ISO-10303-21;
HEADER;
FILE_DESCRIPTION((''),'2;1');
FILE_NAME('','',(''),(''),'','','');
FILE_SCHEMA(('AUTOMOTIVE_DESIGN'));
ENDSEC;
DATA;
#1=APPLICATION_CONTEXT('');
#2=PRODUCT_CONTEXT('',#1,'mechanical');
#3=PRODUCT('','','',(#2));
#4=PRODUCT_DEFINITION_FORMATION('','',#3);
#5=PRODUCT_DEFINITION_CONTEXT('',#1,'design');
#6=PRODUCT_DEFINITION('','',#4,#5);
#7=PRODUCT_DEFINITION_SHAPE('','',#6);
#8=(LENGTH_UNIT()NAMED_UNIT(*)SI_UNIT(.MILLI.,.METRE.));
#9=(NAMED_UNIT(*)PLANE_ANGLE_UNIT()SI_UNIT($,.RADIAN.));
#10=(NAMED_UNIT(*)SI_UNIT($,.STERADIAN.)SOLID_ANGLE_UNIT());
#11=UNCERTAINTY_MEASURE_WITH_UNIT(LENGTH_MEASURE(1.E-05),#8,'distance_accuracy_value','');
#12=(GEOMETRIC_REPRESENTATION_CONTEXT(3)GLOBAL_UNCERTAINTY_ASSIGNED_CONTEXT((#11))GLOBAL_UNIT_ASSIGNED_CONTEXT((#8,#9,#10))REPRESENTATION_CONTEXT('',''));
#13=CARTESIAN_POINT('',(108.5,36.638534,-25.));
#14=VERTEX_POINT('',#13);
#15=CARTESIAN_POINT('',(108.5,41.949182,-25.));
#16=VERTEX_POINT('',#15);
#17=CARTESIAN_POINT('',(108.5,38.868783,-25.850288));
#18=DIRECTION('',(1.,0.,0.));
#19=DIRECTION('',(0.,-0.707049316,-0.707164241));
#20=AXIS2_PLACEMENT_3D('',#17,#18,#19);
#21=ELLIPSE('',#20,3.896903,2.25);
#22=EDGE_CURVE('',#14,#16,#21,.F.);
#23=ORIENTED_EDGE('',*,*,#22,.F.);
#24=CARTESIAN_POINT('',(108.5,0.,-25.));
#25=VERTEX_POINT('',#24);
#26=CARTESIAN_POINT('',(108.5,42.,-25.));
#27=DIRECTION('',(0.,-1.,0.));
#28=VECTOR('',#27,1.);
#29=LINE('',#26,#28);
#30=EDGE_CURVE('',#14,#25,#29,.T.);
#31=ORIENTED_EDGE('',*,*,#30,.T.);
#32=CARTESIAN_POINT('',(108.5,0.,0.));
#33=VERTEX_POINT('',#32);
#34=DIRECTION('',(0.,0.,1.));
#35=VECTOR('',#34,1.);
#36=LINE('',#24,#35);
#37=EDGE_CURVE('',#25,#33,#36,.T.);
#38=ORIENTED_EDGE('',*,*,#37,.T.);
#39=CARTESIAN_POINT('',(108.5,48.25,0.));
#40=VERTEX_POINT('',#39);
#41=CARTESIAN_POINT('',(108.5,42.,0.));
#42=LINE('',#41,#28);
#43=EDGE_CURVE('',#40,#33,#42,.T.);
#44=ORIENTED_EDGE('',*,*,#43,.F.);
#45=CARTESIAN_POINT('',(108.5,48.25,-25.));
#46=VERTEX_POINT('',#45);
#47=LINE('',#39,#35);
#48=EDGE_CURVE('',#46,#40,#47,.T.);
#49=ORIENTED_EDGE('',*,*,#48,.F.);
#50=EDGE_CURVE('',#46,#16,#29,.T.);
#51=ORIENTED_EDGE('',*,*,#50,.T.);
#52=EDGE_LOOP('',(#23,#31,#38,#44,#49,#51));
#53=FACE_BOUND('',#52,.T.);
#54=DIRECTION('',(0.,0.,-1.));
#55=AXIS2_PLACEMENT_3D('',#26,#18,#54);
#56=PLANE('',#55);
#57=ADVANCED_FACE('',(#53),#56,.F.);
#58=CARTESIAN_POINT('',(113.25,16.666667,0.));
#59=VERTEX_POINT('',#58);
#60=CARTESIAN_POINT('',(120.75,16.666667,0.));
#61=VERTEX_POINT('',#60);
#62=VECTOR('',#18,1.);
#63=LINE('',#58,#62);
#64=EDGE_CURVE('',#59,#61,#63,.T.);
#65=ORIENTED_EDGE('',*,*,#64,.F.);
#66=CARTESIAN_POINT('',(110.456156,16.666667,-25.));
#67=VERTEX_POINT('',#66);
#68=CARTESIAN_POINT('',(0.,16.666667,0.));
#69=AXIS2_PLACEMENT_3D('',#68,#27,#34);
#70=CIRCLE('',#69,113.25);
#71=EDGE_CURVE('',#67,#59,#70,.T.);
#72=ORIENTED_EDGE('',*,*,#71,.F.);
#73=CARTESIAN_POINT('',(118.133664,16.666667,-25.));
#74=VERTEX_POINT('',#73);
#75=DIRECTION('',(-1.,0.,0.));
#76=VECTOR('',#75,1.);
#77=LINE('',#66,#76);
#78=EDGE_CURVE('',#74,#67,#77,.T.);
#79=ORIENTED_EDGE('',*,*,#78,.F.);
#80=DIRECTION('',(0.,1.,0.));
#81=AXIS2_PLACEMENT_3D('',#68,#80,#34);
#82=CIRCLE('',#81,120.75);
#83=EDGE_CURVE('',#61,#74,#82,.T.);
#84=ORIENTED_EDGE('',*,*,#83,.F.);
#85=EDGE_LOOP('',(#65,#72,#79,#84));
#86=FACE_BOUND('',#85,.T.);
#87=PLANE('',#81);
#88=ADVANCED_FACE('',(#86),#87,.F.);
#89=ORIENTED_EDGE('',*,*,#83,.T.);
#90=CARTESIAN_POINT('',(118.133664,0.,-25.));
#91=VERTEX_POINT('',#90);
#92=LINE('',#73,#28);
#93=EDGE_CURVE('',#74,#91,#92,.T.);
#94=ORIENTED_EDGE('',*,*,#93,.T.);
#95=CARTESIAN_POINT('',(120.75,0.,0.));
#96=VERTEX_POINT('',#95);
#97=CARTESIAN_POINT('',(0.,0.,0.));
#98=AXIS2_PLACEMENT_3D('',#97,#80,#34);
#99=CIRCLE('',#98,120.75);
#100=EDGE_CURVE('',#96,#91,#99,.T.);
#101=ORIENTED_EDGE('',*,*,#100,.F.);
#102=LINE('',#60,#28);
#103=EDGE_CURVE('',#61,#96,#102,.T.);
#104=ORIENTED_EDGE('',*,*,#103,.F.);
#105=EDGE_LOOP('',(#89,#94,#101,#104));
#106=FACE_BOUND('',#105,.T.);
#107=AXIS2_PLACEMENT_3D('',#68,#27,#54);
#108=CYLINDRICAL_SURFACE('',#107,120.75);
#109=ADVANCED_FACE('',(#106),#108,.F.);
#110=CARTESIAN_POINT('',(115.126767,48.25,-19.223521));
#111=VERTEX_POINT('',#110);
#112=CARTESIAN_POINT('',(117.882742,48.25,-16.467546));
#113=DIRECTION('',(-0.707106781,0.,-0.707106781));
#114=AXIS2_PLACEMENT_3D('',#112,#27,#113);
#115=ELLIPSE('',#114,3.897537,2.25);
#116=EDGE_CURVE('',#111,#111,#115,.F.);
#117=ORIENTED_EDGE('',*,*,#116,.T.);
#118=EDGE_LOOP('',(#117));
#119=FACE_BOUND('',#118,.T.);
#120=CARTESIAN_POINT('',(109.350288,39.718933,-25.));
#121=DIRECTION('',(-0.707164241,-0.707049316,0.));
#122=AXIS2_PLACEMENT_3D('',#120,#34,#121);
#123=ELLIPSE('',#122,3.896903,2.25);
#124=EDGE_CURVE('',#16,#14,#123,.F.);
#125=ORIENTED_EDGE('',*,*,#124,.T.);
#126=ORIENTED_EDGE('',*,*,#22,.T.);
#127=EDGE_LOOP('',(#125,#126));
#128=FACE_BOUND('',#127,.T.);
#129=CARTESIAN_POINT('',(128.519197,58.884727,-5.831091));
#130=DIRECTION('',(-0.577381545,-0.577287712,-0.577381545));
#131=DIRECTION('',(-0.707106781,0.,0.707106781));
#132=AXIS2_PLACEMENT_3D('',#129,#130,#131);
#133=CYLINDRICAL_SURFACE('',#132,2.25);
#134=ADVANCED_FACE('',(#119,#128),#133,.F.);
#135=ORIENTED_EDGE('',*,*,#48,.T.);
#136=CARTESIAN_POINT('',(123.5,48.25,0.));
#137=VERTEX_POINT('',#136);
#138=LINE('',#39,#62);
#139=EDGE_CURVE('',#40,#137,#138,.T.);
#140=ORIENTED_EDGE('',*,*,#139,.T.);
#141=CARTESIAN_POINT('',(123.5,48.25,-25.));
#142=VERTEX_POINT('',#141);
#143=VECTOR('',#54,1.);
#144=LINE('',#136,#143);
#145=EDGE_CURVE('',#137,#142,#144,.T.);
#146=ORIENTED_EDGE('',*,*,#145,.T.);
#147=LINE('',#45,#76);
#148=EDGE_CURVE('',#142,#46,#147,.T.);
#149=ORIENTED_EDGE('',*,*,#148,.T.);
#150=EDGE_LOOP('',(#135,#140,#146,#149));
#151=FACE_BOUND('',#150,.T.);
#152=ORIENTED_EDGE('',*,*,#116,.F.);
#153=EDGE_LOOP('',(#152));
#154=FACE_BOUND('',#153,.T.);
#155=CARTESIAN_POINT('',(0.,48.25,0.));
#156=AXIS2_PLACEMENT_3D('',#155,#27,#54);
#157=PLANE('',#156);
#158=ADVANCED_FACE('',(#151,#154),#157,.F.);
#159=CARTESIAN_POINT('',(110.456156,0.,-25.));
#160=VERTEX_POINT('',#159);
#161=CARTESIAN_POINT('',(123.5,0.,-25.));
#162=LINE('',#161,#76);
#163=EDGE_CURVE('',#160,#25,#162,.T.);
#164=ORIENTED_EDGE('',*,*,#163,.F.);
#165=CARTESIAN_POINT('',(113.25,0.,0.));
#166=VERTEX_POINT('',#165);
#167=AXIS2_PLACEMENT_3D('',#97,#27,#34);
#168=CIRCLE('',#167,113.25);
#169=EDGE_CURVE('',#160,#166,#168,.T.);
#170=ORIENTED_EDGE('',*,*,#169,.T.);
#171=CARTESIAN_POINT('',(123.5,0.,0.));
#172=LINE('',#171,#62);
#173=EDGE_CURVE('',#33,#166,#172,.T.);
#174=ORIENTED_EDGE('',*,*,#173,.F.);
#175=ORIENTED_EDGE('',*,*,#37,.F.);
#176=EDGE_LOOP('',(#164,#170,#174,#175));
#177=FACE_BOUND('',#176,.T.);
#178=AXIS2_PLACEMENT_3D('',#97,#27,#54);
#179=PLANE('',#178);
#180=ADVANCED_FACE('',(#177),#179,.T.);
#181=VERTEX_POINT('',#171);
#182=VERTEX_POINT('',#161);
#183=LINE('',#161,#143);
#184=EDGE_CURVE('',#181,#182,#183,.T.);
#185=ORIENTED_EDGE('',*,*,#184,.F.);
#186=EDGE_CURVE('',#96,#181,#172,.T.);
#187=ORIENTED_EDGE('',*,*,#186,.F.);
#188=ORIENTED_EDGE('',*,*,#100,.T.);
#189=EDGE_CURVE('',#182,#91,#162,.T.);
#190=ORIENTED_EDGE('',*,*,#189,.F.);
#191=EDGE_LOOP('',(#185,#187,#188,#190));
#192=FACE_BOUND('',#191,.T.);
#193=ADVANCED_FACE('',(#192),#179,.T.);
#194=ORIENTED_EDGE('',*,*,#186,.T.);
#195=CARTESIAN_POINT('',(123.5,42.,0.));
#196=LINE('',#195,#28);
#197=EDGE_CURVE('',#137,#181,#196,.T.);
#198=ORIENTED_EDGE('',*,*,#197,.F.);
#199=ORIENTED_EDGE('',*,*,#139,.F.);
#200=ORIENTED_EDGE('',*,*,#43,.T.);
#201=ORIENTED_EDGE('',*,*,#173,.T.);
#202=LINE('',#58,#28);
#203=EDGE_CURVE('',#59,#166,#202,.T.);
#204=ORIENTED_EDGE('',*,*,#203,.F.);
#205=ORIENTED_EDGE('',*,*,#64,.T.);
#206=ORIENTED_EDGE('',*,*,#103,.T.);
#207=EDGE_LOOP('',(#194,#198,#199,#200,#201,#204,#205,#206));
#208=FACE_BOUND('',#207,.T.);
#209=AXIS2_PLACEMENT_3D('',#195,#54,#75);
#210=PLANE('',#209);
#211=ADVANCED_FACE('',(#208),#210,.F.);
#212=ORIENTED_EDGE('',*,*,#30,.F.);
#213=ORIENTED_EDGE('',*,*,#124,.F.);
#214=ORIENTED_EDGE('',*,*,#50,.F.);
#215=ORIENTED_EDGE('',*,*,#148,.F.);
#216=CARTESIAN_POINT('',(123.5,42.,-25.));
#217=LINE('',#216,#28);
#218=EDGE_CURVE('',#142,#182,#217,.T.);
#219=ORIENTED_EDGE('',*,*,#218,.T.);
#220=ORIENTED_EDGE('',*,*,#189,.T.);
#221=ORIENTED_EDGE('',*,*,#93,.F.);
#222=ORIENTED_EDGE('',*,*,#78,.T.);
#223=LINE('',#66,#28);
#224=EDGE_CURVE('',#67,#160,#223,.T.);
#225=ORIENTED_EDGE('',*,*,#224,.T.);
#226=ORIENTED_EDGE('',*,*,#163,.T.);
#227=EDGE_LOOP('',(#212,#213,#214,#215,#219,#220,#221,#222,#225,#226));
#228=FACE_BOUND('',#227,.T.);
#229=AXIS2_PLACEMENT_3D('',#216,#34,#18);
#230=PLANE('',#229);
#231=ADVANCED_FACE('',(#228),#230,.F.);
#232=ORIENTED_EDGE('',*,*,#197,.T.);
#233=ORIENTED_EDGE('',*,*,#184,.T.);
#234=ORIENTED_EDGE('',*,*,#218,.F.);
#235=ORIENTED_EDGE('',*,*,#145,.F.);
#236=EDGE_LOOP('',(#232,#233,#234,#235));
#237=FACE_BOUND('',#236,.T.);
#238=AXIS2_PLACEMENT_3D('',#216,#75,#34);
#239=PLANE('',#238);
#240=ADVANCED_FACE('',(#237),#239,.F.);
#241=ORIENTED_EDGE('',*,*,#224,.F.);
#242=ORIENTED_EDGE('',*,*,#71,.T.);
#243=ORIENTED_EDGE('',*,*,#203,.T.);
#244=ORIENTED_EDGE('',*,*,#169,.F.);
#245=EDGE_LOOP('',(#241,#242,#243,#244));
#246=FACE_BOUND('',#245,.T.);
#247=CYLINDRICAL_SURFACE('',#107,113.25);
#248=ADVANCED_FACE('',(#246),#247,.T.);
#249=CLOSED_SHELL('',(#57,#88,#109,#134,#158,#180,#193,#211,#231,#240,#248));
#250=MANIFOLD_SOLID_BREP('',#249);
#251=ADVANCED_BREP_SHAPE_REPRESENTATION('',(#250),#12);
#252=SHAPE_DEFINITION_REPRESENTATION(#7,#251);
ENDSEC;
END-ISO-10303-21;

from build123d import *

# Parameters (mm, degrees)
SKETCH1_W           = 15
SKETCH1_H           = 25
BOSS_EXTRUDE1_DEPTH = 42
CUT_EXTRUDE1_DEPTH  = 16.666666667
SKETCH3_W           = 15
SKETCH3_H           = 25
BOSS_EXTRUDE2_DEPTH = 6.25
CUT_EXTRUDE2_REACH  = 136.927
SKETCH5_R           = 2.25


with BuildPart() as part:
    # Sketch1 → Boss-Extrude1 (new body)
    with BuildSketch(Plane(origin=(0, 0, 0), x_dir=(1, 0, 0), z_dir=(0, 1, 0))):
        with Locations((116, 12.5)):
            Rectangle(SKETCH1_W, SKETCH1_H)
    extrude(amount=BOSS_EXTRUDE1_DEPTH)

    # Sketch2 → Cut-Extrude1 (cut)
    with BuildSketch(Plane(origin=(0, 0, 0), x_dir=(1, 0, 0), z_dir=(0, 1, 0))):
        with BuildLine():
            Line((110.45615646, 25), (118.133663703, 25))
            ThreePointArc((118.133663703, 25), (120.094134728, 12.568265748), (120.75, 0))
            Line((120.75, 0), (113.25, 0))
            ThreePointArc((113.25, 0), (112.549371875, 12.57781342), (110.45615646, 25))
        make_face()
    extrude(amount=CUT_EXTRUDE1_DEPTH, mode=Mode.SUBTRACT)

    # Sketch3 → Boss-Extrude2 (add)
    with BuildSketch(Plane(origin=(0, 42, 0), x_dir=(1, 0, 0), z_dir=(0, 1, 0))):
        with Locations((116, 12.5)):
            Rectangle(SKETCH3_W, SKETCH3_H)
    extrude(amount=BOSS_EXTRUDE2_DEPTH)

    # Cut-Extrude2: up to this plane
    cut_extrude2_end = Plane(origin=(0, 48.25, 0), z_dir=(0, -1, 0))
    # Sketch5 → Cut-Extrude2 (cut, up to the surface)
    with BuildSketch(Plane(origin=(0, 0, 0), x_dir=(0.7071067811865464, 0, -0.7071067811865488), z_dir=(0.577381545199981, 0.5772877120855483, 0.577381545199979)), mode=Mode.PRIVATE) as cut_extrude2_sk1:
        with Locations(Location((95, -2, 0), (0, 0, 105.498899772))):
            Circle(SKETCH5_R)
    cut_extrude2_tool1 = split(extrude(cut_extrude2_sk1.sketch, amount=CUT_EXTRUDE2_REACH, mode=Mode.PRIVATE), bisect_by=cut_extrude2_end, keep=Keep.BOTH, mode=Mode.PRIVATE)
    add(cut_extrude2_tool1.solids().sort_by_distance((67.991552, -1.633082, -66.358736))[0], mode=Mode.SUBTRACT)


solid = part.part
